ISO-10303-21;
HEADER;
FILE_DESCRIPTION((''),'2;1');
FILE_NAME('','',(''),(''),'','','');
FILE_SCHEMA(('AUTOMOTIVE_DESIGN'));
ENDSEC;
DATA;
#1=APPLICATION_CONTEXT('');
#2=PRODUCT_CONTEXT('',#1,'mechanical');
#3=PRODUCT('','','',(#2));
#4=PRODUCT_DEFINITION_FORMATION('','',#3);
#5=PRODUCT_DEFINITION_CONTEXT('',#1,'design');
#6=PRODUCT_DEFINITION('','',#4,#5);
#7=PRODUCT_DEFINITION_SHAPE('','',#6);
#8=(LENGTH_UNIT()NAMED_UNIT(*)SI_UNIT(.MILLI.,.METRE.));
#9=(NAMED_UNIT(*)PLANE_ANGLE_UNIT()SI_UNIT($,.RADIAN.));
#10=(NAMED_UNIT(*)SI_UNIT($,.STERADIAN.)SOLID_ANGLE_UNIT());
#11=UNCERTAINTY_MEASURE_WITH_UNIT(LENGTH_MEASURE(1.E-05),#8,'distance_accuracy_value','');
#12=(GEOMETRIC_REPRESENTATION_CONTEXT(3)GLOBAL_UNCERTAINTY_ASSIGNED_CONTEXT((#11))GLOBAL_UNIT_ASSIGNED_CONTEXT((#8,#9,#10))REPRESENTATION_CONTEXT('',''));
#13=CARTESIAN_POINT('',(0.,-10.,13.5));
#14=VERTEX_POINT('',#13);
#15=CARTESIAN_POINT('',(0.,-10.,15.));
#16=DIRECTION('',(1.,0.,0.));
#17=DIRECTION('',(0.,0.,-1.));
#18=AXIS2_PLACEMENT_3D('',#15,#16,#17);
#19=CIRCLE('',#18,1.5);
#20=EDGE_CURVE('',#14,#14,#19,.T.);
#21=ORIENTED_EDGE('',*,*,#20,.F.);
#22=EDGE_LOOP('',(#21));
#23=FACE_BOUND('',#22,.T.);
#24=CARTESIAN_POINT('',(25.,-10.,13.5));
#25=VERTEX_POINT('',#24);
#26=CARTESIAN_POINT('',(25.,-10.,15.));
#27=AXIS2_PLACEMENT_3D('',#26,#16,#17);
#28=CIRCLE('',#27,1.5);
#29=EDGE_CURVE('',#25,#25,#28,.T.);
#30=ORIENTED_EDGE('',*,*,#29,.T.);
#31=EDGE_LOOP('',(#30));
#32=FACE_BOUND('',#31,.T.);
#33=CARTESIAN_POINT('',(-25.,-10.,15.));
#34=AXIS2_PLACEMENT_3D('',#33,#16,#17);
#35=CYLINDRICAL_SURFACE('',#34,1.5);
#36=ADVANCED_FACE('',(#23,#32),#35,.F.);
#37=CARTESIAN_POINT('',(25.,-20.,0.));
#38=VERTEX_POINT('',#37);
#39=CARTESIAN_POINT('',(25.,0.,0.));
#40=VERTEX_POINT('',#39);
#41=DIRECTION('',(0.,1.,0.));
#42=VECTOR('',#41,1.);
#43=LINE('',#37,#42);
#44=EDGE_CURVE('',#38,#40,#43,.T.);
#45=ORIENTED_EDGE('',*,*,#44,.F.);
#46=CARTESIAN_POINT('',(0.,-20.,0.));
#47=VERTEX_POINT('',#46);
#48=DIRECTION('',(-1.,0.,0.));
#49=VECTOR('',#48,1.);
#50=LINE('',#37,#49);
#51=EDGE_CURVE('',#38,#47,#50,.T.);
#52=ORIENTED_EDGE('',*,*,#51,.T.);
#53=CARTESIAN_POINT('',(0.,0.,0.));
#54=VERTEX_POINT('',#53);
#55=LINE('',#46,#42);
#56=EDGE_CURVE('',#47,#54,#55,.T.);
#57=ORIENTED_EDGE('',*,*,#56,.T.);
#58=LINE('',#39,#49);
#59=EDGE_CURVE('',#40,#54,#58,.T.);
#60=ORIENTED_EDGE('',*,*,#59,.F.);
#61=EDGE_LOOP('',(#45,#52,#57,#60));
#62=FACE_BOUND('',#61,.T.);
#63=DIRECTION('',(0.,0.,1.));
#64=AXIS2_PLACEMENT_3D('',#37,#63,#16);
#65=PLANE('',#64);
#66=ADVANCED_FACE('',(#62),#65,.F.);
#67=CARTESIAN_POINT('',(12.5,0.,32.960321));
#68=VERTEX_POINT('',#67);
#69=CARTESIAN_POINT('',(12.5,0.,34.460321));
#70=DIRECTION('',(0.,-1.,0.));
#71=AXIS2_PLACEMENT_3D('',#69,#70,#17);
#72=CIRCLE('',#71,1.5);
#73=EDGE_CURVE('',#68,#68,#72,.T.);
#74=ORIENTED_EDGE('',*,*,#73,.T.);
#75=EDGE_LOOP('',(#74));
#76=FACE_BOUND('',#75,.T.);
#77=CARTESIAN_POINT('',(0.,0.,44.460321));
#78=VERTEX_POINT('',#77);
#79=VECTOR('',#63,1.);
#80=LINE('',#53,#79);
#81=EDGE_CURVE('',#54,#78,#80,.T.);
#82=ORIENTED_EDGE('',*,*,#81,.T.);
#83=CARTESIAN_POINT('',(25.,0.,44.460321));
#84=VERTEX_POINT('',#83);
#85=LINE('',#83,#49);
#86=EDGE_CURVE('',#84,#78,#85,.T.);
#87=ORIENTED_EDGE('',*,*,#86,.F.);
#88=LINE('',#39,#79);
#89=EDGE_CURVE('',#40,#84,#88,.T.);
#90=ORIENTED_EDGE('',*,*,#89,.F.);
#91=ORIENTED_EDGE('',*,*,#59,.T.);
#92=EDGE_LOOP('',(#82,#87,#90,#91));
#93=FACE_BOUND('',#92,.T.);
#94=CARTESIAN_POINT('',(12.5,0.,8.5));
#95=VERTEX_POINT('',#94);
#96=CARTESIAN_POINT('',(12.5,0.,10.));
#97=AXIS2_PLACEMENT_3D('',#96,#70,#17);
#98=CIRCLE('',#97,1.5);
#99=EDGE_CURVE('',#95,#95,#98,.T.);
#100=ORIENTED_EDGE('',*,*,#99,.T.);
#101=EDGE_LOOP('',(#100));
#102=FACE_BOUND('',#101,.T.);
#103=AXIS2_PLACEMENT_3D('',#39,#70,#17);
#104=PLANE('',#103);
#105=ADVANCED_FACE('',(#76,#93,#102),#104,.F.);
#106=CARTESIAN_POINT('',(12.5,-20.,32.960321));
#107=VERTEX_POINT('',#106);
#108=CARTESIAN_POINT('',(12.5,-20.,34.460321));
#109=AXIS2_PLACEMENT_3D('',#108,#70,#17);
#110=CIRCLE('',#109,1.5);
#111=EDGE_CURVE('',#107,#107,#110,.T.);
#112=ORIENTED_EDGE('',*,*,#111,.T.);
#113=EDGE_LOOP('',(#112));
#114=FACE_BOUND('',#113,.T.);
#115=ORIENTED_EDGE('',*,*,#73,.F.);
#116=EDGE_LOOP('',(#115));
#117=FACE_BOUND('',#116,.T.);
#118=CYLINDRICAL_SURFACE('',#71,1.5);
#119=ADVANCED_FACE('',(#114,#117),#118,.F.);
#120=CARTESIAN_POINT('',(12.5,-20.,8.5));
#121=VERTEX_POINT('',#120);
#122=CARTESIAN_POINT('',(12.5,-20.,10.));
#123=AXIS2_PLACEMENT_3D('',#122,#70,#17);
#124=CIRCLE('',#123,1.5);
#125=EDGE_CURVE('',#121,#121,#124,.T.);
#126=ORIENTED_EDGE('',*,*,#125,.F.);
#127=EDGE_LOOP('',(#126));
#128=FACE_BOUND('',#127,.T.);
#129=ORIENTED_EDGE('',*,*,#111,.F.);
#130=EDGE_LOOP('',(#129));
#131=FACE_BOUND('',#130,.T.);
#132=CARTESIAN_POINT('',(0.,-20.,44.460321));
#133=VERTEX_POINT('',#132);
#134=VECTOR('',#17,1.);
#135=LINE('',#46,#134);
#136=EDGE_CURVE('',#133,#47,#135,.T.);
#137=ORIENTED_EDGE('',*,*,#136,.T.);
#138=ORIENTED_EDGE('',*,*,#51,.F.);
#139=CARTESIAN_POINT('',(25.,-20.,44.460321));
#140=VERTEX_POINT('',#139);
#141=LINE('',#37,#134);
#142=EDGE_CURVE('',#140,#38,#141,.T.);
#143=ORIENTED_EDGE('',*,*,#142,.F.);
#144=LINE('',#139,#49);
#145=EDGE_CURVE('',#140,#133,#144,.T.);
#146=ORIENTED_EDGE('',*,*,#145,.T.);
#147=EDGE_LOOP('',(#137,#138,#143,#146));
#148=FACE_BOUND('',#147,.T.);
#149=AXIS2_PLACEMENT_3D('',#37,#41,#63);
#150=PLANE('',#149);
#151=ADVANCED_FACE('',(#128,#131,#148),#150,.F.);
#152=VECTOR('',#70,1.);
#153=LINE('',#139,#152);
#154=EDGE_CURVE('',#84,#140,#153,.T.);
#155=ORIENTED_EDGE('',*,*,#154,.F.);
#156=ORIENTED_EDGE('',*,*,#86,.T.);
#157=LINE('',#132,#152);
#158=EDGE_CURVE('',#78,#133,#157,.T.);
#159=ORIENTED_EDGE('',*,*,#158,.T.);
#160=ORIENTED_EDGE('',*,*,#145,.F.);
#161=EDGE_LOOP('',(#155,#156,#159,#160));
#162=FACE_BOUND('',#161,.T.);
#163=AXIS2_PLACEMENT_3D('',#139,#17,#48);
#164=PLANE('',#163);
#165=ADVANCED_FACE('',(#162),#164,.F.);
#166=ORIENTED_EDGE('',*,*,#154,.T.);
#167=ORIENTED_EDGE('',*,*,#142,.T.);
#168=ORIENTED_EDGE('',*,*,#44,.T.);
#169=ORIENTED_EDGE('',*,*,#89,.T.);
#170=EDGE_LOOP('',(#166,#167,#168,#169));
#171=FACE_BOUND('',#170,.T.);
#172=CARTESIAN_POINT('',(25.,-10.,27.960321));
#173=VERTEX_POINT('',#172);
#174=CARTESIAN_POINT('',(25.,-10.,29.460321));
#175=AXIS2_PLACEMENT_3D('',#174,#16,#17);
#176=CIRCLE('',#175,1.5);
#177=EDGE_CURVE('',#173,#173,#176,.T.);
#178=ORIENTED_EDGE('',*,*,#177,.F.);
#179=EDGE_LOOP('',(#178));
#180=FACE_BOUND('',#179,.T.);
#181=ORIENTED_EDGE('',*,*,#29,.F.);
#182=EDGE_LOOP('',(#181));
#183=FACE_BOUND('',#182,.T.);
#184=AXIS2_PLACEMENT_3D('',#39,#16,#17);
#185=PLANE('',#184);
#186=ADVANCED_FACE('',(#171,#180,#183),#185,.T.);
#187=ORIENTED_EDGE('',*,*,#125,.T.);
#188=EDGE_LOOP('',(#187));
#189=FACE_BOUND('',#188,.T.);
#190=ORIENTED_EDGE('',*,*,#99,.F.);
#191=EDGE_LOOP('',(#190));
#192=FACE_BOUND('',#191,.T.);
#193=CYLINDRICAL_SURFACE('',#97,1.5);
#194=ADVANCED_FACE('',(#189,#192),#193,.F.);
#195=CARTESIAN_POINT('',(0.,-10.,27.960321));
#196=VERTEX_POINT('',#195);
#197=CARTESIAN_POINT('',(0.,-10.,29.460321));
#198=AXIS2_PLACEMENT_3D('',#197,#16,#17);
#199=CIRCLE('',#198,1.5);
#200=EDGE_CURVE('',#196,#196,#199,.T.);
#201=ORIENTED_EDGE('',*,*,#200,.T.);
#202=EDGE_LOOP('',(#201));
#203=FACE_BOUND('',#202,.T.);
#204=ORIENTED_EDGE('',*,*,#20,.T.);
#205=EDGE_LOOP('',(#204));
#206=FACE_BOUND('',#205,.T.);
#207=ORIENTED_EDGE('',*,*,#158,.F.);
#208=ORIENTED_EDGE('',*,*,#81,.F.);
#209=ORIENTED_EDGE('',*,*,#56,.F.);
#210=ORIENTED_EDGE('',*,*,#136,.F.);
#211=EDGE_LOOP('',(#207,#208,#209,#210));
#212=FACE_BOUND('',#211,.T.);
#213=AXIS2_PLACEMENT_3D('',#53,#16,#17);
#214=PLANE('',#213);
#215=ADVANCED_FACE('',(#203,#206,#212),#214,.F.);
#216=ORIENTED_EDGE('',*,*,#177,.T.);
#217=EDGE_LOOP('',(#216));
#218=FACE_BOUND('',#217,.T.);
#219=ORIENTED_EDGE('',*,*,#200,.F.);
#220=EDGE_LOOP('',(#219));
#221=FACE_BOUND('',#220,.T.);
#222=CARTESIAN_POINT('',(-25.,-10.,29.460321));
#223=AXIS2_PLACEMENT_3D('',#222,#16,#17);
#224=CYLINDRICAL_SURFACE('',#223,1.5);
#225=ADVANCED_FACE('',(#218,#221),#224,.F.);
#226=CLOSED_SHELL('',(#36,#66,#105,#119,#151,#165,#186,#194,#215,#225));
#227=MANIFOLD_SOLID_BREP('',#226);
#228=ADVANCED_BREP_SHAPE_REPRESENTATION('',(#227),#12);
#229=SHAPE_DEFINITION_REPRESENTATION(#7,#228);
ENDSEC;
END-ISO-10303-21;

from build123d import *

# Parameters (mm, degrees)
CROQUIS2_W              = 44.460320701
CROQUIS2_H              = 20
SALIENTE_EXTRUIR2_DEPTH = 25
CROQUIS3_R              = 1.5
CORTAR_EXTRUIR1_DEPTH   = 21
CROQUIS4_R              = 1.5
CORTAR_EXTRUIR2_DEPTH   = 50


with BuildPart() as part:
    # Croquis2 → Saliente-Extruir2 (new body)
    with BuildSketch(Plane(origin=(0, 0, 0), x_dir=(0, 0, -1), z_dir=(1, 0, 0))):
        with Locations((-22.230160351, -10)):
            Rectangle(CROQUIS2_W, CROQUIS2_H)
    extrude(amount=SALIENTE_EXTRUIR2_DEPTH)

    # Croquis3 → Cortar-Extruir1 (cut, through all)
    with BuildSketch(Plane.XZ.offset(20)):
        with Locations((12.5, 10)):
            Circle(CROQUIS3_R)
        with Locations((12.5, 34.460320701)):
            Circle(CROQUIS3_R)
    extrude(amount=-CORTAR_EXTRUIR1_DEPTH, mode=Mode.SUBTRACT)

    # Croquis4 → Cortar-Extruir2 (cut)
    with BuildSketch(Plane(origin=(25, 0, 0), x_dir=(0, 0, -1), z_dir=(1, 0, 0))):
        with Locations((-29.460320701, -10)):
            Circle(CROQUIS4_R)
        with Locations((-15, -10)):
            Circle(CROQUIS4_R)
    extrude(amount=-CORTAR_EXTRUIR2_DEPTH, mode=Mode.SUBTRACT)


solid = part.part
